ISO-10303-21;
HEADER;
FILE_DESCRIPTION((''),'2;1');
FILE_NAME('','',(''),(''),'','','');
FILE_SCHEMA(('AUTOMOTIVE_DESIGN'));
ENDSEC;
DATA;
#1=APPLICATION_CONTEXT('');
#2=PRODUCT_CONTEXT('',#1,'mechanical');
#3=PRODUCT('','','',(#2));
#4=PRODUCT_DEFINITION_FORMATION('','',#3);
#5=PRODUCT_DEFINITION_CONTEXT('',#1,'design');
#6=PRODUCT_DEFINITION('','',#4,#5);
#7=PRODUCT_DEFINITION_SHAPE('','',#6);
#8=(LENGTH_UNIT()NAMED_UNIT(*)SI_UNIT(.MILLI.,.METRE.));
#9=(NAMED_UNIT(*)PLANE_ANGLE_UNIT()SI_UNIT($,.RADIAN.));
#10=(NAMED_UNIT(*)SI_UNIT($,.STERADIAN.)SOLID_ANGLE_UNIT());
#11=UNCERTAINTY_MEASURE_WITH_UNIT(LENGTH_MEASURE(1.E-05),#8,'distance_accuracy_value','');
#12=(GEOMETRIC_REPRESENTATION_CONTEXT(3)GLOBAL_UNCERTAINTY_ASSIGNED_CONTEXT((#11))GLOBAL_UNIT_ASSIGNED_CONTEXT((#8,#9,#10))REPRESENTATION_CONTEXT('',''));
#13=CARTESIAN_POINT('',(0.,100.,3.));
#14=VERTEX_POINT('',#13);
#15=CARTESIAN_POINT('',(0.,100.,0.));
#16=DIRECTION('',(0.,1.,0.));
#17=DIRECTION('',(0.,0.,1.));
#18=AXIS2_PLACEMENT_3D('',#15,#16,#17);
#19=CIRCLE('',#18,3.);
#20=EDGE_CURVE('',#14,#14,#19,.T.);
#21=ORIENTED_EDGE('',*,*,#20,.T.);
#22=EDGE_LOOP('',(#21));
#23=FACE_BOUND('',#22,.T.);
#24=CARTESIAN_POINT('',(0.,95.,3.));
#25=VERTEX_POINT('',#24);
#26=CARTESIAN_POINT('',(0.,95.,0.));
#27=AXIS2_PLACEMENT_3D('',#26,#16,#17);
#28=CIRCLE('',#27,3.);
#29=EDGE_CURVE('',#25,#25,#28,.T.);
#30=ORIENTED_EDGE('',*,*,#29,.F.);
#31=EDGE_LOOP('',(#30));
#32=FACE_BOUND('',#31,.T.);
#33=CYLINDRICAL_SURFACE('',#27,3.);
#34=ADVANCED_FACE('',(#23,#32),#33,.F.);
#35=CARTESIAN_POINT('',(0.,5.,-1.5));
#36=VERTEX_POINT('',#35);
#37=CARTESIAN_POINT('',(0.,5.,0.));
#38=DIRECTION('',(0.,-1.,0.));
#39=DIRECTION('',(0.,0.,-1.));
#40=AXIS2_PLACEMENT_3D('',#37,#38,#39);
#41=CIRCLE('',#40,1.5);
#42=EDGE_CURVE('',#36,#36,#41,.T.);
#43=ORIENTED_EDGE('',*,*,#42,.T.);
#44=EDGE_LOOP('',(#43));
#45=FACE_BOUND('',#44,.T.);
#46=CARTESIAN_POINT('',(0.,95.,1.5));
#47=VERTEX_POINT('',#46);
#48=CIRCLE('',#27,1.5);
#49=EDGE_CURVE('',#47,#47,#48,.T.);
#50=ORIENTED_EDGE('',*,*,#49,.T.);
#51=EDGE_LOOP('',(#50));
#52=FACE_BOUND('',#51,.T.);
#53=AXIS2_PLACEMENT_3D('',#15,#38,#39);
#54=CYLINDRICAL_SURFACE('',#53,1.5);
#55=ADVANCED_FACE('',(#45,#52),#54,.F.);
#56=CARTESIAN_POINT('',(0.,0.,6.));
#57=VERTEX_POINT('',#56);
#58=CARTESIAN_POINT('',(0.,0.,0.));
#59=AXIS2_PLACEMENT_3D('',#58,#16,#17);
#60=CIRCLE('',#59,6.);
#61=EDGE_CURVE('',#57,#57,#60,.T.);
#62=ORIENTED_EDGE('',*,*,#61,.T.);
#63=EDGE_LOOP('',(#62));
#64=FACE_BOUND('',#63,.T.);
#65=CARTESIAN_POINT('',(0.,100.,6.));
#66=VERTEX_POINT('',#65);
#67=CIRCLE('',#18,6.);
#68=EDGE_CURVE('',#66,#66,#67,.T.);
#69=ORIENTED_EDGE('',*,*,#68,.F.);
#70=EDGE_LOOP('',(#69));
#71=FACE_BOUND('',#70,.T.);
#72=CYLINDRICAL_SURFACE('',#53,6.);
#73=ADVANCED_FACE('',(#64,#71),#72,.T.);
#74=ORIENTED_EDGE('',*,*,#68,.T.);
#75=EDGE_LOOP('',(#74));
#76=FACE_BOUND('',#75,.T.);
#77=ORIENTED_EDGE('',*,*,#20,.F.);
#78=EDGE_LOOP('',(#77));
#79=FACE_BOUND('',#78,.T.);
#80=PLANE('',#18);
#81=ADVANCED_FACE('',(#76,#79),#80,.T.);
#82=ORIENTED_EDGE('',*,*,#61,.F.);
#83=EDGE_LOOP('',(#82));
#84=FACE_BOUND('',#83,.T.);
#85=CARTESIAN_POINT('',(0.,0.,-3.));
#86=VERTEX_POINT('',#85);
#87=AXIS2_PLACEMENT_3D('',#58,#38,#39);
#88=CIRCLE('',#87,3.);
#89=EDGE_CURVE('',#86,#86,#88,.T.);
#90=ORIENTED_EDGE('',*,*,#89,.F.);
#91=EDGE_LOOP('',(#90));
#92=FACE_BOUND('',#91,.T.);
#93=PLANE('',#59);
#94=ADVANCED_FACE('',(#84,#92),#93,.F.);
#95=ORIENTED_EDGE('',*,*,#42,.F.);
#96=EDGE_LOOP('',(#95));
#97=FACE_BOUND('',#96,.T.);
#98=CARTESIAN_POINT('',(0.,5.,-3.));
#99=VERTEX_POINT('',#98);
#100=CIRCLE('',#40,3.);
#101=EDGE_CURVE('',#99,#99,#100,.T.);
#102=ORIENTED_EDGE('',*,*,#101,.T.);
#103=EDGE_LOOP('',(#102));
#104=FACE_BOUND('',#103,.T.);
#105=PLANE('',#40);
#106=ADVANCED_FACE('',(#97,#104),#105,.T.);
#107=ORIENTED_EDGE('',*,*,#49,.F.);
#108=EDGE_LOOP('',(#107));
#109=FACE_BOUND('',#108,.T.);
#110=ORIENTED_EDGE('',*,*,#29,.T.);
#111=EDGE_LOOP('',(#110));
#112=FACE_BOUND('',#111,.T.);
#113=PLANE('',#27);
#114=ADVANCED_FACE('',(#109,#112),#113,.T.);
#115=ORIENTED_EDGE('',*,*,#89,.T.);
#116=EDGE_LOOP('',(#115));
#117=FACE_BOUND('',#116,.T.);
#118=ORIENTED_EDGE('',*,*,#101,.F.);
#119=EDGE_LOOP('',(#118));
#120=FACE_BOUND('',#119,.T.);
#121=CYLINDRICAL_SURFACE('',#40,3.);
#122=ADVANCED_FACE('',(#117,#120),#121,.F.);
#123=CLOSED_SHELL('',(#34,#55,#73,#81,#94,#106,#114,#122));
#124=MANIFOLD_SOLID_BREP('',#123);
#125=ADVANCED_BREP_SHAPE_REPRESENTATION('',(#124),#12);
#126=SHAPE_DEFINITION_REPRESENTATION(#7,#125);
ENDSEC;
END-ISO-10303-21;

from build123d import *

# Parameters (mm, degrees)
SKETCH1_R           = 6
SKETCH1_R_2         = 1.5
BOSS_EXTRUDE1_DEPTH = 100
SKETCH2_R           = 3
CUT_EXTRUDE1_DEPTH  = 5
SKETCH3_R           = 3
CUT_EXTRUDE2_DEPTH  = 5


with BuildPart() as part:
    # Sketch1 → Boss-Extrude1 (new body)
    with BuildSketch(Plane(origin=(0, 0, 0), x_dir=(1, 0, 0), z_dir=(0, 1, 0))):
        Circle(SKETCH1_R)
        Circle(SKETCH1_R_2, mode=Mode.SUBTRACT)
    extrude(amount=BOSS_EXTRUDE1_DEPTH)

    # Sketch2 → Cut-Extrude1 (cut)
    with BuildSketch(Plane(origin=(0, 100, 0), x_dir=(1, 0, 0), z_dir=(0, 1, 0))):
        Circle(SKETCH2_R)
    extrude(amount=-CUT_EXTRUDE1_DEPTH, mode=Mode.SUBTRACT)

    # Sketch3 → Cut-Extrude2 (cut)
    with BuildSketch(Plane.XZ):
        Circle(SKETCH3_R)
    extrude(amount=-CUT_EXTRUDE2_DEPTH, mode=Mode.SUBTRACT)


solid = part.part
